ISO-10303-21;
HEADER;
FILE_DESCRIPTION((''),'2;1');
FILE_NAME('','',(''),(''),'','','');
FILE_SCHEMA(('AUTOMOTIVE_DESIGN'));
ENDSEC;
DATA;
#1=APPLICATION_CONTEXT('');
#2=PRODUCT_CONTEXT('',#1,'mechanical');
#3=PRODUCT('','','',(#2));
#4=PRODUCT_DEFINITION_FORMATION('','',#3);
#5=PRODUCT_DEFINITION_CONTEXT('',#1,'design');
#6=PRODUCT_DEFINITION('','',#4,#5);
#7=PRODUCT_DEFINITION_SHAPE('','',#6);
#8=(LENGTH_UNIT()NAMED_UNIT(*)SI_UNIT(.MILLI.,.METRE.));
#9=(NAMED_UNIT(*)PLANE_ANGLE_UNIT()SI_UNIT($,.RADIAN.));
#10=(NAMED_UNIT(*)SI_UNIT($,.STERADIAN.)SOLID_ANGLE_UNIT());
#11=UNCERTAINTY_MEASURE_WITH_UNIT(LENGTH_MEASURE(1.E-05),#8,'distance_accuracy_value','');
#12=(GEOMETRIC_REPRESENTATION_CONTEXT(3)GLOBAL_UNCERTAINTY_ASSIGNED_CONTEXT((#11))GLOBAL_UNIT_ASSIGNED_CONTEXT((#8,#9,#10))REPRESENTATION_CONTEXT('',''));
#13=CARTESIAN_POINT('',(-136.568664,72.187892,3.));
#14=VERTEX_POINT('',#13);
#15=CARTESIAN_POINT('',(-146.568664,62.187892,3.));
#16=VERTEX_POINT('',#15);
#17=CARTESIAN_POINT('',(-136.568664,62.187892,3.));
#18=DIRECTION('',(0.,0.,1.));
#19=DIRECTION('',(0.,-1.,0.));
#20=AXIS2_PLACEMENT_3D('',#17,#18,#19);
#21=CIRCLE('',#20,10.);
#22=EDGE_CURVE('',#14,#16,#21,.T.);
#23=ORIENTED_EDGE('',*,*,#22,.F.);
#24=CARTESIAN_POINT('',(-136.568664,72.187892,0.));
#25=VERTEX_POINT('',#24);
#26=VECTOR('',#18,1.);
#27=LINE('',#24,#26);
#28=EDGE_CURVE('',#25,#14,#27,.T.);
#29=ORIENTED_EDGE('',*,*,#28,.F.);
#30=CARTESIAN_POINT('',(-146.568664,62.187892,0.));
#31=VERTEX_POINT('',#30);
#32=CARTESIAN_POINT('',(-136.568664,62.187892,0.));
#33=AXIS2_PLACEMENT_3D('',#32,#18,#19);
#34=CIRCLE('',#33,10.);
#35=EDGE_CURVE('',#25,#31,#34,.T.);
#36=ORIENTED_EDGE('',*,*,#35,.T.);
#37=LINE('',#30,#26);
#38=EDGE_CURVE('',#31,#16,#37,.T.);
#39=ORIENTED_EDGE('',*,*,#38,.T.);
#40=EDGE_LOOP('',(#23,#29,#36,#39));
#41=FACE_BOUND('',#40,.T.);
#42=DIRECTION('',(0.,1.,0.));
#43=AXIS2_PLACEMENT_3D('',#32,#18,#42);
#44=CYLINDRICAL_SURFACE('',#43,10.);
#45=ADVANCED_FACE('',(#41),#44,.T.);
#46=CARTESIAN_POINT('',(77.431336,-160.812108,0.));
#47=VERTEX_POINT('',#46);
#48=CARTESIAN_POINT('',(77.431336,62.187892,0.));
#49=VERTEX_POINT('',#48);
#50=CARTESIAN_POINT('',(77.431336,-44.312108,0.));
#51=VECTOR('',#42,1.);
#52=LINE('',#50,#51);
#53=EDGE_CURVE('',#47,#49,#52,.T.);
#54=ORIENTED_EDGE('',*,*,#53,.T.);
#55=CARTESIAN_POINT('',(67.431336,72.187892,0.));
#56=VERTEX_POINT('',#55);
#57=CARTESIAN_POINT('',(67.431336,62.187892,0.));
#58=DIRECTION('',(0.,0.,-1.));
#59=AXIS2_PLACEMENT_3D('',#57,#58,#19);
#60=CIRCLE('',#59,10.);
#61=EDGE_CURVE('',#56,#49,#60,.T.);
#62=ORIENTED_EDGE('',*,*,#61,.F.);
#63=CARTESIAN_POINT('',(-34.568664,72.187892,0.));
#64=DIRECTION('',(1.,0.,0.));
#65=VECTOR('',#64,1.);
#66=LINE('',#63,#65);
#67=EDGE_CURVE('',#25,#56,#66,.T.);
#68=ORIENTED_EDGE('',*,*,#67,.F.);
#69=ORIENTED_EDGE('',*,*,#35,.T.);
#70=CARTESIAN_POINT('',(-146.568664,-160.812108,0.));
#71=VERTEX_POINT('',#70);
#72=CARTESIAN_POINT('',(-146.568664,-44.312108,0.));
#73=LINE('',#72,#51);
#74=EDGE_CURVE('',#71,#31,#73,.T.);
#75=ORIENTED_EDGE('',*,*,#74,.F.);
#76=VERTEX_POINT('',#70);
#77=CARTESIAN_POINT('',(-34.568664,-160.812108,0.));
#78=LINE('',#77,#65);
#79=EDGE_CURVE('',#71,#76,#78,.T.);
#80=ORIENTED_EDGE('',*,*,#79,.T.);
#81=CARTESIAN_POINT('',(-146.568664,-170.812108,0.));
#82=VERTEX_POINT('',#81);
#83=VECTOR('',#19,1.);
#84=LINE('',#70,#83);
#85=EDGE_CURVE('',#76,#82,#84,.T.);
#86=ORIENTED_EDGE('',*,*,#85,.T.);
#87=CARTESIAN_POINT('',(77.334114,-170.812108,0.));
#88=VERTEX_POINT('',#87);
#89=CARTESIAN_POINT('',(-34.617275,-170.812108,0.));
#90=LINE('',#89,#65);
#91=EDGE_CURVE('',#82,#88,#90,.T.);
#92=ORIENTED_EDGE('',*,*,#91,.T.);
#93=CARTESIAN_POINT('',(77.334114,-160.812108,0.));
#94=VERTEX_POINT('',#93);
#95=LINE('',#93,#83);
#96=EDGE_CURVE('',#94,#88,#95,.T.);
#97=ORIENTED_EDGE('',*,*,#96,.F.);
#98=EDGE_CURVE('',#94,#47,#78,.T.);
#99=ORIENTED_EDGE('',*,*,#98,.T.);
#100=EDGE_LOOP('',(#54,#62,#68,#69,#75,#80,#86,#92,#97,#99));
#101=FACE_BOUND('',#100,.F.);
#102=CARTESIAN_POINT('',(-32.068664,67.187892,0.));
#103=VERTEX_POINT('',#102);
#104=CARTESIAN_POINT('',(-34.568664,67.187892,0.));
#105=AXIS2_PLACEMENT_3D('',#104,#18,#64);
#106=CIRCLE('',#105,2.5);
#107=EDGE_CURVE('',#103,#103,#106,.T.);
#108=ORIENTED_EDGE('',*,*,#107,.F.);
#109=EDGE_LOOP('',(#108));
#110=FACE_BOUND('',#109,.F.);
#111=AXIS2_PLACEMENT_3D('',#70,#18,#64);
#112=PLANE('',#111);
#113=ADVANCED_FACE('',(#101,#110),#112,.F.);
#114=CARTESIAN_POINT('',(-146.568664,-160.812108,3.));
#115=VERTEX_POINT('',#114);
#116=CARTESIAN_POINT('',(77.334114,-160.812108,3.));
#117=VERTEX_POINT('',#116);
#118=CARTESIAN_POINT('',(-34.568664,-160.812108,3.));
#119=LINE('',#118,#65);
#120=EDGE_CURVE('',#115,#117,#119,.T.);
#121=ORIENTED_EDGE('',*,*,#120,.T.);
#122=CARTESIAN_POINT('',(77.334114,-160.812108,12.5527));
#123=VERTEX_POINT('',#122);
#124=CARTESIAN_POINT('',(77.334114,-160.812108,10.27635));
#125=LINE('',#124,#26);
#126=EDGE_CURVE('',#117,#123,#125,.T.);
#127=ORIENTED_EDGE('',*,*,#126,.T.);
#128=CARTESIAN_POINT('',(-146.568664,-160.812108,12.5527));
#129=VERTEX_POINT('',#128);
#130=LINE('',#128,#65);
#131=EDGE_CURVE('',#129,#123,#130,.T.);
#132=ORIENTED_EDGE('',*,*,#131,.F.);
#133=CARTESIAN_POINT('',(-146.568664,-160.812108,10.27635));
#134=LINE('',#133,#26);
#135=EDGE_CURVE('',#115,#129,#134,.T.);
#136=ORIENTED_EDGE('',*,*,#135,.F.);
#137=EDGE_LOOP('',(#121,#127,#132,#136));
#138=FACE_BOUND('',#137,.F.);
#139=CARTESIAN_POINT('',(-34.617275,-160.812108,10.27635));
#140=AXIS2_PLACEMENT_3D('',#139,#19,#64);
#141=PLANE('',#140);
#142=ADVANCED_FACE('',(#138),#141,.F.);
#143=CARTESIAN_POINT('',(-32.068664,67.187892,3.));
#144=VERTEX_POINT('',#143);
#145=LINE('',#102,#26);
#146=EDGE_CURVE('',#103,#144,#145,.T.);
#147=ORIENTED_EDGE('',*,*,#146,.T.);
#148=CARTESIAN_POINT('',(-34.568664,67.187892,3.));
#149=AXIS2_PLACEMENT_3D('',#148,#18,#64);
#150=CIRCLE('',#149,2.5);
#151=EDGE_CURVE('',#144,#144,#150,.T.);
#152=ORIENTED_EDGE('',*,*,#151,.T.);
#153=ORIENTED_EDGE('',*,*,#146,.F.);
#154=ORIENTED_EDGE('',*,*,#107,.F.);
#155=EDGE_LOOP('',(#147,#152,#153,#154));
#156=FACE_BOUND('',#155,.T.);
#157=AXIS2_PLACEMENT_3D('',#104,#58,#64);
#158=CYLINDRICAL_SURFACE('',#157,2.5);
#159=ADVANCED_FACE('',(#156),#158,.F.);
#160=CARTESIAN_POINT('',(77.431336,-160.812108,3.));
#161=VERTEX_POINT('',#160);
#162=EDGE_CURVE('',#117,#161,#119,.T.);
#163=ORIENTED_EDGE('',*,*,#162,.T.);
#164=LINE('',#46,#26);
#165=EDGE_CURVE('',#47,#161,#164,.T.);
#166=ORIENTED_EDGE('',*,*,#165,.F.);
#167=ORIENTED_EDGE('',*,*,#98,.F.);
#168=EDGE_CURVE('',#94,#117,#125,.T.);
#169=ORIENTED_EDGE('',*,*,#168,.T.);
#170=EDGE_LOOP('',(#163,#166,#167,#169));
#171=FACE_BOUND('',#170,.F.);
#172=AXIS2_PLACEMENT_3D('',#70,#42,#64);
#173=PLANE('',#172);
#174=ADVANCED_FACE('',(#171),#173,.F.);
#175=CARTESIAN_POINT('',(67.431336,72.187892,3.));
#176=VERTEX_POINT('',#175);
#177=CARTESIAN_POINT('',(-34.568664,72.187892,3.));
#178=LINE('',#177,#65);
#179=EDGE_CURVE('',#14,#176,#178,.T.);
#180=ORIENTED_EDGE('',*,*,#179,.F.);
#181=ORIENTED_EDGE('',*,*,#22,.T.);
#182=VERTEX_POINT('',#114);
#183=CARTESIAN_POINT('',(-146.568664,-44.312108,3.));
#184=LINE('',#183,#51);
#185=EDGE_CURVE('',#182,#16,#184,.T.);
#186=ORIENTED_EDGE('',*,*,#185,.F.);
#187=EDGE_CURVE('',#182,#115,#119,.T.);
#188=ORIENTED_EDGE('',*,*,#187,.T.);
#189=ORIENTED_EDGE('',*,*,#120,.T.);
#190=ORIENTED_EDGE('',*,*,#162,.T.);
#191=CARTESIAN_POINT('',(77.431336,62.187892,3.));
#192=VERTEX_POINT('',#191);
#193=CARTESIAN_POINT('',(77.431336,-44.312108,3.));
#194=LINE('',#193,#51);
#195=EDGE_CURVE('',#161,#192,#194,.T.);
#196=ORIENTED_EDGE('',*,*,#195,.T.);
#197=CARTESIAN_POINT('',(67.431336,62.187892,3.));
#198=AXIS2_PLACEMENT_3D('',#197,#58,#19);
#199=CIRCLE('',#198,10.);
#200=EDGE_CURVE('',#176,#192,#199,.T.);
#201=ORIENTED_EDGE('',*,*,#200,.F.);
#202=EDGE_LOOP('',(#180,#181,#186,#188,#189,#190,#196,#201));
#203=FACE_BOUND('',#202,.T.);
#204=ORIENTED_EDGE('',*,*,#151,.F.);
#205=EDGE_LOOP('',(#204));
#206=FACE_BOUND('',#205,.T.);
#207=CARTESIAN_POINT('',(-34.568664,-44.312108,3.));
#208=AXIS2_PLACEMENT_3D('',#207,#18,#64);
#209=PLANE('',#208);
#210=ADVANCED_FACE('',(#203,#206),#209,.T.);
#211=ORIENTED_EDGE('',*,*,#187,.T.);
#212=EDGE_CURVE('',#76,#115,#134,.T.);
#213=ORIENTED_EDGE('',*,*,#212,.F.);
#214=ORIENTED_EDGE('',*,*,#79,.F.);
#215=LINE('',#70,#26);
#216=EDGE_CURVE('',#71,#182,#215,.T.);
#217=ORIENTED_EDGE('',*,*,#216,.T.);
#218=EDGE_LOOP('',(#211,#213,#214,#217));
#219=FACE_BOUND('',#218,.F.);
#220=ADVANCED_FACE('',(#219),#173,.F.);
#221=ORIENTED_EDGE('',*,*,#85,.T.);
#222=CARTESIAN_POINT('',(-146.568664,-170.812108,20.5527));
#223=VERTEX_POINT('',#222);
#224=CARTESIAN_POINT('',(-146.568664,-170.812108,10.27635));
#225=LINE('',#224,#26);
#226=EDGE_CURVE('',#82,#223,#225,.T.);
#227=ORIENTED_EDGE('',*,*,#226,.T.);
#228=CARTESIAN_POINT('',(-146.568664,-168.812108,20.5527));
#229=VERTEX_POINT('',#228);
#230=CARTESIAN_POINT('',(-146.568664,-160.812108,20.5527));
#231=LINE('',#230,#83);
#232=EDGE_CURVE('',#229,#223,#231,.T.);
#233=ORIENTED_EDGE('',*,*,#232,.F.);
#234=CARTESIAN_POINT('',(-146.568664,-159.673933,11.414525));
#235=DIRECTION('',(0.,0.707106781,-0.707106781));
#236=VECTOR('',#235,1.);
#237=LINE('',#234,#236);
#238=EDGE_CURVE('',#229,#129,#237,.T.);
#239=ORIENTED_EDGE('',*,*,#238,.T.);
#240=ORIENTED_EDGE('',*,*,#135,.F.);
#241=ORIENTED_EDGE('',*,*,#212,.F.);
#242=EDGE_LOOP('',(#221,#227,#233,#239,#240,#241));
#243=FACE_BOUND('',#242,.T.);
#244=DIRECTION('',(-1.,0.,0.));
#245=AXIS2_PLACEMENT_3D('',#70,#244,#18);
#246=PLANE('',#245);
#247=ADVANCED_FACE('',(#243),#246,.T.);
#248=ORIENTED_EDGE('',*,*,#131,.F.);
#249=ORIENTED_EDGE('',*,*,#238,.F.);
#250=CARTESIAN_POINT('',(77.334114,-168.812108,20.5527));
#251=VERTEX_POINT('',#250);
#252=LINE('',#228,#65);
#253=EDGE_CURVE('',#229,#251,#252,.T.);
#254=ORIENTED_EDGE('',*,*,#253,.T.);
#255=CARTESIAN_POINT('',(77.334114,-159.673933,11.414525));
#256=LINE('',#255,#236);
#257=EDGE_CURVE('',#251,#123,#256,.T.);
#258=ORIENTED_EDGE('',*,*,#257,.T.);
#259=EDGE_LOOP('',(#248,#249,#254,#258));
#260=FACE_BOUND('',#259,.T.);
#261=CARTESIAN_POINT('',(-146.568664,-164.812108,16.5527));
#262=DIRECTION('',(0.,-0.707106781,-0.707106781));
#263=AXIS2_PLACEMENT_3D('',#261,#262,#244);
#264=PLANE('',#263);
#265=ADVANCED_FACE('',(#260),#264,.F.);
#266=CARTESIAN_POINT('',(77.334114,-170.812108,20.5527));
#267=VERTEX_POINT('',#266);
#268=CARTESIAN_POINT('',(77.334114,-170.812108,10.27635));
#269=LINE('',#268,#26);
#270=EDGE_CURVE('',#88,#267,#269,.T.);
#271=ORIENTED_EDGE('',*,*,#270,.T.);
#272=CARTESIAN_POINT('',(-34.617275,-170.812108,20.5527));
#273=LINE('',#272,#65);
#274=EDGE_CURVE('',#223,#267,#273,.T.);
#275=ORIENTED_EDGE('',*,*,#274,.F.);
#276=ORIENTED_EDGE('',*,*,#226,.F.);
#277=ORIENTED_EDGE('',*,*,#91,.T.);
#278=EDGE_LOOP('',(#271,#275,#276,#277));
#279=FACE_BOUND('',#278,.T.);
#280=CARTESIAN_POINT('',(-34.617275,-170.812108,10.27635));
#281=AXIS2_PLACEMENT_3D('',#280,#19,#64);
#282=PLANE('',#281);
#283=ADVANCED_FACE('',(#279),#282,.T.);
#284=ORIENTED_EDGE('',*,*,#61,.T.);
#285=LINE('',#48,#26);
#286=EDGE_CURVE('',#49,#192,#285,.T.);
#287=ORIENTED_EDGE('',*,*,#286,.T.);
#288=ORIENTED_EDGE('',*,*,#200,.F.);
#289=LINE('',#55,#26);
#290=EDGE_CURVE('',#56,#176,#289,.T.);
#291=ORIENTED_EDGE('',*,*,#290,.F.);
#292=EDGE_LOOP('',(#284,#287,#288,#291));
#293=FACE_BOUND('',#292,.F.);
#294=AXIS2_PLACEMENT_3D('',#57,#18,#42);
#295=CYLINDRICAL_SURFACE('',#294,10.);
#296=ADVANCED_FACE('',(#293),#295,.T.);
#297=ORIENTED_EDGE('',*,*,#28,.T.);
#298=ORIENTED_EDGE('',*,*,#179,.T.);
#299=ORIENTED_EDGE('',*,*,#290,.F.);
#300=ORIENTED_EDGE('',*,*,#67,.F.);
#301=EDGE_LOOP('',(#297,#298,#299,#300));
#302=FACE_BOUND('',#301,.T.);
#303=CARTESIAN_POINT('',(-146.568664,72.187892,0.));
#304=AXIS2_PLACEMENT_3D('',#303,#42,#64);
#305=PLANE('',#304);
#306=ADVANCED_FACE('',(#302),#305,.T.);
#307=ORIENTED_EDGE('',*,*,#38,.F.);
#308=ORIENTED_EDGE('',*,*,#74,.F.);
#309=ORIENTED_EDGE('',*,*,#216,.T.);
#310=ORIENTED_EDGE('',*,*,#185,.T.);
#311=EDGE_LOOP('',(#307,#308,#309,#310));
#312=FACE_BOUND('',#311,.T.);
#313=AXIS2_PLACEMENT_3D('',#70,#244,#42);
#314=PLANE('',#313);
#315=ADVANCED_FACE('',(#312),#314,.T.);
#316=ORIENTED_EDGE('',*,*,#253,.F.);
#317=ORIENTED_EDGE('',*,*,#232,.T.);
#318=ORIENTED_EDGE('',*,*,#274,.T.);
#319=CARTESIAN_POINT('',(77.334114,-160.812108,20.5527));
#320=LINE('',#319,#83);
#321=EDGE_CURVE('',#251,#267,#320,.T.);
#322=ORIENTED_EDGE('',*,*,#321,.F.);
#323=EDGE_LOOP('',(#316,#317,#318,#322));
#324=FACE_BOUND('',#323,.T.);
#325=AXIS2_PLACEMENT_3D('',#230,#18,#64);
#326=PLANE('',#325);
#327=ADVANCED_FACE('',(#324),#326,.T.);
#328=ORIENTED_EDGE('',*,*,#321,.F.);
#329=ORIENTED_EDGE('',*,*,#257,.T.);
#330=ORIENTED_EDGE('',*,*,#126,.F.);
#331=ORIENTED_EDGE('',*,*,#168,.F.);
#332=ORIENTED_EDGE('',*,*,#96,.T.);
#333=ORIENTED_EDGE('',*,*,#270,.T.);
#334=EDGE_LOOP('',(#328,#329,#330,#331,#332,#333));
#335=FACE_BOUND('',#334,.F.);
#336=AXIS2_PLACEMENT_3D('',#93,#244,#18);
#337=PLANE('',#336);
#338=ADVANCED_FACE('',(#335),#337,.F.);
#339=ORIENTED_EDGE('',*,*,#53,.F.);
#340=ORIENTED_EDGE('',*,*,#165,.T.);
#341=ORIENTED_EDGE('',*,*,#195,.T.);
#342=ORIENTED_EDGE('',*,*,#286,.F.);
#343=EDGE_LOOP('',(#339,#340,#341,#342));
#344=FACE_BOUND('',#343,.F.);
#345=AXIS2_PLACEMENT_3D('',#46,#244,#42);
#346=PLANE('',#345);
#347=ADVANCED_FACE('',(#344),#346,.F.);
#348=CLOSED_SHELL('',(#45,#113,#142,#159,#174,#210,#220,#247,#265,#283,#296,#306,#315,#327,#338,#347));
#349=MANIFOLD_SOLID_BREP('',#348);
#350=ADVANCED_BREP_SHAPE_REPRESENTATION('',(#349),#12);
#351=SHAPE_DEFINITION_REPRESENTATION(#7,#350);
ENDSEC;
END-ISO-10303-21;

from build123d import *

# Parameters (mm, degrees)
F0_W     = 224
F0_H     = 233
F0_R     = 2.5
F1_DEPTH = 3
F2_W     = 223.902777
F2_H     = 20.5527
F3_DEPTH = 10
F4_SIZE  = 8
F5_R     = 10
F6_R     = 10


with BuildPart() as f1:
    # F0 (on Top) → F1 (new body)
    with BuildSketch(Plane.XY):
        with Locations((-34.568664, -44.312108)):
            Rectangle(F0_W, F0_H)
        with Locations((-34.568664, 67.187892)):
            Circle(F0_R, mode=Mode.SUBTRACT)
    extrude(amount=F1_DEPTH)

    # F2 (on face) → F3 (join)
    with BuildSketch(Plane.XZ.offset(160.812108)):
        with Locations((-34.617275, 10.27635)):
            Rectangle(F2_W, F2_H)
    extrude(amount=F3_DEPTH)

    # F4
    f4_edges = [f1.edges().sort_by_distance(p)[0] for p in [
        (-34.617275, -160.812108, 20.5527),
    ]]
    chamfer(f4_edges, length=F4_SIZE)

    # F5
    f5_edges = [f1.edges().sort_by_distance(p)[0] for p in [
        (-146.568664, 72.187892, 1.5),
    ]]
    fillet(f5_edges, radius=F5_R)

    # F6
    f6_edges = [f1.edges().sort_by_distance(p)[0] for p in [
        (77.431336, 72.187892, 1.5),
    ]]
    fillet(f6_edges, radius=F6_R)


solid = f1.part
